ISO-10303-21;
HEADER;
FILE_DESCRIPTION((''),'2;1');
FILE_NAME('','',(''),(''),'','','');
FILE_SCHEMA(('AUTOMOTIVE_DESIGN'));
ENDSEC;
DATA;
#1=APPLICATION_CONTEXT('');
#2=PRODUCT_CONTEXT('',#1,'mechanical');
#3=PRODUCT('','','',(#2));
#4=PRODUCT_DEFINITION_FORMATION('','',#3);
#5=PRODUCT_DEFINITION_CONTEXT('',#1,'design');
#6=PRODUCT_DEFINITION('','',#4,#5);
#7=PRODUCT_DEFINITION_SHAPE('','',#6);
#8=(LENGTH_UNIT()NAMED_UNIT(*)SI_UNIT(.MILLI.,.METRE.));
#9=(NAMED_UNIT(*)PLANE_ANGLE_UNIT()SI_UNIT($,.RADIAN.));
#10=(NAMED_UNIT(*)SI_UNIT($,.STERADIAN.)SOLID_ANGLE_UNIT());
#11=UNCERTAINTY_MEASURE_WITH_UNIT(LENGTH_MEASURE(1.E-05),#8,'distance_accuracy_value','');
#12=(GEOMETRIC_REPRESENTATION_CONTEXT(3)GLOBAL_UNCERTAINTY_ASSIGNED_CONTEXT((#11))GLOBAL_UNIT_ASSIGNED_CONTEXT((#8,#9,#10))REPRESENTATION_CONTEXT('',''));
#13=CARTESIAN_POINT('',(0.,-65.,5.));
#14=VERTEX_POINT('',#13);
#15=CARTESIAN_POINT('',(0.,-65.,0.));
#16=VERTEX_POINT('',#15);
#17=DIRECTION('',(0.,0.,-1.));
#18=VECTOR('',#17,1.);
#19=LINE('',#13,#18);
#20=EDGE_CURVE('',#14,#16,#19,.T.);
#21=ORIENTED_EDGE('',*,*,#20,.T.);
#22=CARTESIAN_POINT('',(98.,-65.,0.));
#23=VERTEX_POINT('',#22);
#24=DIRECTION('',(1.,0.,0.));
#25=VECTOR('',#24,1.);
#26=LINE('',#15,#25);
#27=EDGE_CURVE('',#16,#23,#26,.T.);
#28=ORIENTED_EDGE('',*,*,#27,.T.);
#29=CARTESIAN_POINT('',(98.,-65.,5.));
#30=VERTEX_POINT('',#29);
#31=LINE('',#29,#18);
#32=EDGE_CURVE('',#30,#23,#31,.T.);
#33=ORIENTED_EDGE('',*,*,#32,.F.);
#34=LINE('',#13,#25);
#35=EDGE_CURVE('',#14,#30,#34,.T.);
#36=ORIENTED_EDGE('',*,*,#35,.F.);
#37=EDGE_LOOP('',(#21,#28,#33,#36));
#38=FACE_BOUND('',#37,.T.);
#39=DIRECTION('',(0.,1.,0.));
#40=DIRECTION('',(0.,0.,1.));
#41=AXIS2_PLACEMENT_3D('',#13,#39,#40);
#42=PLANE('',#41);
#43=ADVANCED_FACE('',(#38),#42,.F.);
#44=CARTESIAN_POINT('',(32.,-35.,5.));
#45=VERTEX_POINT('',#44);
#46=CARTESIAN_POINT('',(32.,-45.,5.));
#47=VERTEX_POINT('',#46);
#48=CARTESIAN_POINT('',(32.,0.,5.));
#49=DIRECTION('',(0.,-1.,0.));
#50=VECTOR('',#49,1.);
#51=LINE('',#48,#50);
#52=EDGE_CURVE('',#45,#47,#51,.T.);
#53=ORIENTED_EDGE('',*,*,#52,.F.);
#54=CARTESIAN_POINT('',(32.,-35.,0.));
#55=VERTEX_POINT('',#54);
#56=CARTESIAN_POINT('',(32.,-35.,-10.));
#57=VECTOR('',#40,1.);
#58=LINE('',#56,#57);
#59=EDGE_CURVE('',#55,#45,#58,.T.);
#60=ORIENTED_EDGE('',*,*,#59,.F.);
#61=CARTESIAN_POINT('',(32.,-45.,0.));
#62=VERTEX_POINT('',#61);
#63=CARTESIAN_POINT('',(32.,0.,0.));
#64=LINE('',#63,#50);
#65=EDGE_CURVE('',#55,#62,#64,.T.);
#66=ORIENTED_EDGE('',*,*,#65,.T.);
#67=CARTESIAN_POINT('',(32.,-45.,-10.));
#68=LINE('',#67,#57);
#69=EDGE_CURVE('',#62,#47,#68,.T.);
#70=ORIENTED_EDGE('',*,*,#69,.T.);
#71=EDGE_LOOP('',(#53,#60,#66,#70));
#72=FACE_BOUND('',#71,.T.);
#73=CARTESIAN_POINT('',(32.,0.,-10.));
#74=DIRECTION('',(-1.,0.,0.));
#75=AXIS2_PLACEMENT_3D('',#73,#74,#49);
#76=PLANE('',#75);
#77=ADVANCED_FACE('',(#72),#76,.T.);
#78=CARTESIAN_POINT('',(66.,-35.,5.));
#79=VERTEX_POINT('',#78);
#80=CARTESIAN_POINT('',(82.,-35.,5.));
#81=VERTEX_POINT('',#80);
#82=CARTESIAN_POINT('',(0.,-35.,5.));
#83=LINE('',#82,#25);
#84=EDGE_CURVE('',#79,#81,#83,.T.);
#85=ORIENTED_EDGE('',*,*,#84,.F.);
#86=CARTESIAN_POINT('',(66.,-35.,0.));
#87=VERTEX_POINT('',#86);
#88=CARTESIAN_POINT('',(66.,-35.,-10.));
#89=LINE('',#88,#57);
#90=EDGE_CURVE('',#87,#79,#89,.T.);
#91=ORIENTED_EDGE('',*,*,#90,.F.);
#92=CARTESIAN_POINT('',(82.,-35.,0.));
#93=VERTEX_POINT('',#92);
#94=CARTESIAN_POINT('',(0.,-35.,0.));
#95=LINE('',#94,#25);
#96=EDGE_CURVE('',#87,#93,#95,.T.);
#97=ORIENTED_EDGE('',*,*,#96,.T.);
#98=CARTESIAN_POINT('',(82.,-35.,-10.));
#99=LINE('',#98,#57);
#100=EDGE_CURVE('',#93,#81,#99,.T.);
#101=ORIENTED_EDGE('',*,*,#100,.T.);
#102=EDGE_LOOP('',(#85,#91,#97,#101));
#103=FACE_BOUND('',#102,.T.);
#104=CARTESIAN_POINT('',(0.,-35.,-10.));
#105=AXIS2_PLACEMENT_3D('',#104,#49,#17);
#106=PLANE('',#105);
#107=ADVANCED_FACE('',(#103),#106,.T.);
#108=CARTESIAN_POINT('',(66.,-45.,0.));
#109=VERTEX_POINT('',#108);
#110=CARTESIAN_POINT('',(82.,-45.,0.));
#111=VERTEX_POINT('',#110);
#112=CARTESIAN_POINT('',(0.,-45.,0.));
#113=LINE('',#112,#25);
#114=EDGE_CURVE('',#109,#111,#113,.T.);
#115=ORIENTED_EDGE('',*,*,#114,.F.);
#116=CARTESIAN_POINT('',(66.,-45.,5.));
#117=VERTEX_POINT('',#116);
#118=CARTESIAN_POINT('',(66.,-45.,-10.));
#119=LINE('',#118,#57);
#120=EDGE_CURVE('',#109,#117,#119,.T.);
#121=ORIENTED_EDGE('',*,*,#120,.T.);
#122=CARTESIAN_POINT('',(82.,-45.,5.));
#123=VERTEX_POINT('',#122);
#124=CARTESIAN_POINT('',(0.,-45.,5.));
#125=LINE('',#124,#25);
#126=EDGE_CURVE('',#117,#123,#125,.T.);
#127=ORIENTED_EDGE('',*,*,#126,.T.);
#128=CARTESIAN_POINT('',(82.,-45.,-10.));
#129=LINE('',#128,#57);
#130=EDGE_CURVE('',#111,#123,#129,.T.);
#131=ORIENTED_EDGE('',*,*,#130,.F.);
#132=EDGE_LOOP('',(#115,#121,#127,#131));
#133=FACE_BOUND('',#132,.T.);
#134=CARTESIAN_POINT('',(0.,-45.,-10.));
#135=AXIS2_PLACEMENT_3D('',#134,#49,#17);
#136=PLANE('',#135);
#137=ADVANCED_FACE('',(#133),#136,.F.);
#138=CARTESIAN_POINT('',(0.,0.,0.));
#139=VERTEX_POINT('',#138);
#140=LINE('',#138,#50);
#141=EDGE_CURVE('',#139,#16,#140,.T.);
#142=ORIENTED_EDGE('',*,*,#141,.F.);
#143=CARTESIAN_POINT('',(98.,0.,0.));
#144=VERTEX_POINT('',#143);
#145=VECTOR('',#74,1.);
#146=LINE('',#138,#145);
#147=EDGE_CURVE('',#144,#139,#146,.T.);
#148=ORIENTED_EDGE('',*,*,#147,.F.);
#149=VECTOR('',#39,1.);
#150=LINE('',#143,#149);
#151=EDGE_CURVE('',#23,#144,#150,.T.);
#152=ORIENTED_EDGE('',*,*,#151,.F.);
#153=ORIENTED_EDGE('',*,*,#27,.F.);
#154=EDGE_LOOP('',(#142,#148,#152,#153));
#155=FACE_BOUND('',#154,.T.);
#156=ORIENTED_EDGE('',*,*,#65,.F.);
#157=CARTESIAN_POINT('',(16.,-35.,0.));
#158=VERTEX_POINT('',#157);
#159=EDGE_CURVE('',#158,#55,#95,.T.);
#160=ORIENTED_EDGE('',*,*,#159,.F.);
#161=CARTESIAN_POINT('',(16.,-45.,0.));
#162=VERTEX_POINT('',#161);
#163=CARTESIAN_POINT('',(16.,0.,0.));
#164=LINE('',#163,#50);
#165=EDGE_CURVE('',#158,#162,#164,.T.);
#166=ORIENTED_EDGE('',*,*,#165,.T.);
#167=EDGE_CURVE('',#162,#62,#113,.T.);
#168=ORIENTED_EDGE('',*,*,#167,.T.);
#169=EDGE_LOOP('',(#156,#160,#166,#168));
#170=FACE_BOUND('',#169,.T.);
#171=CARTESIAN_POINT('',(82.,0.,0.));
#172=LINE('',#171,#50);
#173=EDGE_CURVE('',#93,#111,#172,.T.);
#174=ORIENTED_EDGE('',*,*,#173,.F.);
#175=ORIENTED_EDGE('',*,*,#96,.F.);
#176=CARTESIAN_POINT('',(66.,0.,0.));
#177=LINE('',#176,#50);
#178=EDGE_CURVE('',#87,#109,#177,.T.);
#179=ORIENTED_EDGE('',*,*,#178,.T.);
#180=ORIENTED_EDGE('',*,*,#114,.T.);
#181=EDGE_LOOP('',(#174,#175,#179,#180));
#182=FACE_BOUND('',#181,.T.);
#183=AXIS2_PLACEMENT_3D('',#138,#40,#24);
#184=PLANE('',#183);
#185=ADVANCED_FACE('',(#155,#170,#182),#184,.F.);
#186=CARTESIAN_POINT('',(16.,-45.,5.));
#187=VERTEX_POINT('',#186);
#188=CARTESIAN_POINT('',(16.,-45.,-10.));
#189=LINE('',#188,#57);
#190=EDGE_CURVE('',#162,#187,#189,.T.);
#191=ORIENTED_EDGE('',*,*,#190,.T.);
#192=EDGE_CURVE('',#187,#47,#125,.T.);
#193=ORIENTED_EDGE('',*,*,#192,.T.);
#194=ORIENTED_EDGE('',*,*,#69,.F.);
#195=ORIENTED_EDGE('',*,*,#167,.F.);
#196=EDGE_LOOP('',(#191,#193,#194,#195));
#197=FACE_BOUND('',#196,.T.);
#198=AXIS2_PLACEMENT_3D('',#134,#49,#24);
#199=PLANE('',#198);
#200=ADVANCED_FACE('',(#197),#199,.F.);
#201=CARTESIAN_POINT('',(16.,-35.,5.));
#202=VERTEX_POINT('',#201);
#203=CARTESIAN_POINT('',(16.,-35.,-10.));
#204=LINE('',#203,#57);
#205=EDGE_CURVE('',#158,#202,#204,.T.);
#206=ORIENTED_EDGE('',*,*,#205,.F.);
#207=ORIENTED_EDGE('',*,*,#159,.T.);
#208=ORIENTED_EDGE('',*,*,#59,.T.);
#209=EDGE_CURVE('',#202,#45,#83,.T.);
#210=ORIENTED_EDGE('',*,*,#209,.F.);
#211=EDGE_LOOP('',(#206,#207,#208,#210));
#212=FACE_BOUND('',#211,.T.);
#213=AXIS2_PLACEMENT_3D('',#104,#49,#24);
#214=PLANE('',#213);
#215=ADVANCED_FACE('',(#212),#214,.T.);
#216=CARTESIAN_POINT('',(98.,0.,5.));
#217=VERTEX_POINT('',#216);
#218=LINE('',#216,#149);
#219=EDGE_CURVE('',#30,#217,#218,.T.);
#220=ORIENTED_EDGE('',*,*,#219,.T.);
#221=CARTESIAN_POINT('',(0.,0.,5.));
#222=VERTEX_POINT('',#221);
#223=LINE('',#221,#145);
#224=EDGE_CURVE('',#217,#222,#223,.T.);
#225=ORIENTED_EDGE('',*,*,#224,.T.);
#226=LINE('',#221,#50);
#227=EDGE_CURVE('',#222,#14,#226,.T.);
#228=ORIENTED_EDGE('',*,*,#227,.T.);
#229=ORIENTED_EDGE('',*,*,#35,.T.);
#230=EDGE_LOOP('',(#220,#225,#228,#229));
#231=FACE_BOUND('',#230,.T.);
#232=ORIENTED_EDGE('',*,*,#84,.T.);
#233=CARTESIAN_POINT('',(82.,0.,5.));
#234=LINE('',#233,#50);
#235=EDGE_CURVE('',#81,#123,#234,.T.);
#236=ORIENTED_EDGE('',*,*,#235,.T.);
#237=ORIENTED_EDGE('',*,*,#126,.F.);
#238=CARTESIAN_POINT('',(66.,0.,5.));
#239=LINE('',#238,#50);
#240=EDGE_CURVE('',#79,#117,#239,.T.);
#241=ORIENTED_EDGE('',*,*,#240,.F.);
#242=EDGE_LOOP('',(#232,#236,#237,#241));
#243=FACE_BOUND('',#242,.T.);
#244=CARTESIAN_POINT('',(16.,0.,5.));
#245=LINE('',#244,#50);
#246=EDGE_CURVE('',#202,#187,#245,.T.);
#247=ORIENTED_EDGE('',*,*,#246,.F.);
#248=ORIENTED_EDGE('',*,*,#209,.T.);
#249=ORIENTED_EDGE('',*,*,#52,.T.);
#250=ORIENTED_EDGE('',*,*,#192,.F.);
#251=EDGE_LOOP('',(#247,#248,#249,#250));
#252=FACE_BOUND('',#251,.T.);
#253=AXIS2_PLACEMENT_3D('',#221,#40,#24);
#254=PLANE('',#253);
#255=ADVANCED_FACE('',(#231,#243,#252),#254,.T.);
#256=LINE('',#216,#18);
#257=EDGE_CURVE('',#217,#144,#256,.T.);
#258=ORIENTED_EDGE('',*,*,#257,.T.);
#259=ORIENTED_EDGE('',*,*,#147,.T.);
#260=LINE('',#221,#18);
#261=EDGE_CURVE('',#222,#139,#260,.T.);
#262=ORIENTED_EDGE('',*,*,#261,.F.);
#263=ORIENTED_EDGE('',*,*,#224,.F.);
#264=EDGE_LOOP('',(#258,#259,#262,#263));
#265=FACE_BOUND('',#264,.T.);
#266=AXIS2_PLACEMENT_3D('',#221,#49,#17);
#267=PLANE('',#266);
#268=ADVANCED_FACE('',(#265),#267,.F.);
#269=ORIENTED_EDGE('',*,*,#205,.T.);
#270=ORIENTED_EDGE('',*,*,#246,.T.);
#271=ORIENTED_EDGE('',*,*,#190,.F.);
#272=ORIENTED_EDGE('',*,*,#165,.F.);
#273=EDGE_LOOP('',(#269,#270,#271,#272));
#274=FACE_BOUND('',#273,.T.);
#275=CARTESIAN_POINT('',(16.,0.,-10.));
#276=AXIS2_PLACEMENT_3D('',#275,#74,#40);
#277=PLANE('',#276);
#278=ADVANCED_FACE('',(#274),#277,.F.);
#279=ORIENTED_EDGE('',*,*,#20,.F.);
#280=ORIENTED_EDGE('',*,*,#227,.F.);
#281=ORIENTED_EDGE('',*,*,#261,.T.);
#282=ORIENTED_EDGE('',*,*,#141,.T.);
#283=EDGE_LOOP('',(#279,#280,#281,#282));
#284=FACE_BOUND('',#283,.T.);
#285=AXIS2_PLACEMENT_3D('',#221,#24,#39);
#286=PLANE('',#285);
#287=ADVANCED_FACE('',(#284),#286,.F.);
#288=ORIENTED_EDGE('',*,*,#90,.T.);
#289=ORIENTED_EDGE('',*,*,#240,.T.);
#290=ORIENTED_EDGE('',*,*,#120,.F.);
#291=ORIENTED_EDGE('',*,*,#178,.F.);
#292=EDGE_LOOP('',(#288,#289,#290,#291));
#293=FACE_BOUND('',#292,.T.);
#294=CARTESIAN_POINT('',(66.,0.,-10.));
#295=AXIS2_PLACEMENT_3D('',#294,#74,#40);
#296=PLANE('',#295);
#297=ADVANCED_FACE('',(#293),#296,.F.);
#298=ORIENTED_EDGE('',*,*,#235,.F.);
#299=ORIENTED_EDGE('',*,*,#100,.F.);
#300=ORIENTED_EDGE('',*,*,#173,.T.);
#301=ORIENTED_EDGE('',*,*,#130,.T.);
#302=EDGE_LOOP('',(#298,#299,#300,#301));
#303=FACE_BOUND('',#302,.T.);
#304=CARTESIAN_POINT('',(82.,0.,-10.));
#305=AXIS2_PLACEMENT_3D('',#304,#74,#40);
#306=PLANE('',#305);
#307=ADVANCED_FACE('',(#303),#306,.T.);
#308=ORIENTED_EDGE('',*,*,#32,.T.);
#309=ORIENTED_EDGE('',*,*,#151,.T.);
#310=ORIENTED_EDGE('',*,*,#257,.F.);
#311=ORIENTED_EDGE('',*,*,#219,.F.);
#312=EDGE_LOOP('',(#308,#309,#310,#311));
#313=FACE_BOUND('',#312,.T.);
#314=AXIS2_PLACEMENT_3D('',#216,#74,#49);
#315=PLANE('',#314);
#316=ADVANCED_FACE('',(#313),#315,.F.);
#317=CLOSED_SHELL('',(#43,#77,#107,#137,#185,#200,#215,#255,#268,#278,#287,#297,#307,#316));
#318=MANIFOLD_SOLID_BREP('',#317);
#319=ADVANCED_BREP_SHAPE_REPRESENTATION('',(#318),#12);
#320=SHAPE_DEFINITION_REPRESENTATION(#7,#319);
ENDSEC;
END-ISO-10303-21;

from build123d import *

# Parameters (mm, degrees)
SKETCH1_W           = 98
SKETCH1_H           = 65
BOSS_EXTRUDE1_DEPTH = 5
SKETCH2_W           = 16
SKETCH2_H           = 10
CUT_EXTRUDE1_DEPTH  = 15


with BuildPart() as part:
    # Sketch1 → Boss-Extrude1 (new body)
    with BuildSketch(Plane.XY):
        with Locations((49, -32.5)):
            Rectangle(SKETCH1_W, SKETCH1_H)
    extrude(amount=BOSS_EXTRUDE1_DEPTH)

    # Sketch2 → Cut-Extrude1 (cut)
    with BuildSketch(Plane.XY.offset(5)):
        Polygon((82, -45), (82, -40), (82, -35), (66, -35), (66, -45), align=None)
        with Locations((24, -40)):
            Rectangle(SKETCH2_W, SKETCH2_H)
    extrude(amount=-CUT_EXTRUDE1_DEPTH, mode=Mode.SUBTRACT)


solid = part.part
